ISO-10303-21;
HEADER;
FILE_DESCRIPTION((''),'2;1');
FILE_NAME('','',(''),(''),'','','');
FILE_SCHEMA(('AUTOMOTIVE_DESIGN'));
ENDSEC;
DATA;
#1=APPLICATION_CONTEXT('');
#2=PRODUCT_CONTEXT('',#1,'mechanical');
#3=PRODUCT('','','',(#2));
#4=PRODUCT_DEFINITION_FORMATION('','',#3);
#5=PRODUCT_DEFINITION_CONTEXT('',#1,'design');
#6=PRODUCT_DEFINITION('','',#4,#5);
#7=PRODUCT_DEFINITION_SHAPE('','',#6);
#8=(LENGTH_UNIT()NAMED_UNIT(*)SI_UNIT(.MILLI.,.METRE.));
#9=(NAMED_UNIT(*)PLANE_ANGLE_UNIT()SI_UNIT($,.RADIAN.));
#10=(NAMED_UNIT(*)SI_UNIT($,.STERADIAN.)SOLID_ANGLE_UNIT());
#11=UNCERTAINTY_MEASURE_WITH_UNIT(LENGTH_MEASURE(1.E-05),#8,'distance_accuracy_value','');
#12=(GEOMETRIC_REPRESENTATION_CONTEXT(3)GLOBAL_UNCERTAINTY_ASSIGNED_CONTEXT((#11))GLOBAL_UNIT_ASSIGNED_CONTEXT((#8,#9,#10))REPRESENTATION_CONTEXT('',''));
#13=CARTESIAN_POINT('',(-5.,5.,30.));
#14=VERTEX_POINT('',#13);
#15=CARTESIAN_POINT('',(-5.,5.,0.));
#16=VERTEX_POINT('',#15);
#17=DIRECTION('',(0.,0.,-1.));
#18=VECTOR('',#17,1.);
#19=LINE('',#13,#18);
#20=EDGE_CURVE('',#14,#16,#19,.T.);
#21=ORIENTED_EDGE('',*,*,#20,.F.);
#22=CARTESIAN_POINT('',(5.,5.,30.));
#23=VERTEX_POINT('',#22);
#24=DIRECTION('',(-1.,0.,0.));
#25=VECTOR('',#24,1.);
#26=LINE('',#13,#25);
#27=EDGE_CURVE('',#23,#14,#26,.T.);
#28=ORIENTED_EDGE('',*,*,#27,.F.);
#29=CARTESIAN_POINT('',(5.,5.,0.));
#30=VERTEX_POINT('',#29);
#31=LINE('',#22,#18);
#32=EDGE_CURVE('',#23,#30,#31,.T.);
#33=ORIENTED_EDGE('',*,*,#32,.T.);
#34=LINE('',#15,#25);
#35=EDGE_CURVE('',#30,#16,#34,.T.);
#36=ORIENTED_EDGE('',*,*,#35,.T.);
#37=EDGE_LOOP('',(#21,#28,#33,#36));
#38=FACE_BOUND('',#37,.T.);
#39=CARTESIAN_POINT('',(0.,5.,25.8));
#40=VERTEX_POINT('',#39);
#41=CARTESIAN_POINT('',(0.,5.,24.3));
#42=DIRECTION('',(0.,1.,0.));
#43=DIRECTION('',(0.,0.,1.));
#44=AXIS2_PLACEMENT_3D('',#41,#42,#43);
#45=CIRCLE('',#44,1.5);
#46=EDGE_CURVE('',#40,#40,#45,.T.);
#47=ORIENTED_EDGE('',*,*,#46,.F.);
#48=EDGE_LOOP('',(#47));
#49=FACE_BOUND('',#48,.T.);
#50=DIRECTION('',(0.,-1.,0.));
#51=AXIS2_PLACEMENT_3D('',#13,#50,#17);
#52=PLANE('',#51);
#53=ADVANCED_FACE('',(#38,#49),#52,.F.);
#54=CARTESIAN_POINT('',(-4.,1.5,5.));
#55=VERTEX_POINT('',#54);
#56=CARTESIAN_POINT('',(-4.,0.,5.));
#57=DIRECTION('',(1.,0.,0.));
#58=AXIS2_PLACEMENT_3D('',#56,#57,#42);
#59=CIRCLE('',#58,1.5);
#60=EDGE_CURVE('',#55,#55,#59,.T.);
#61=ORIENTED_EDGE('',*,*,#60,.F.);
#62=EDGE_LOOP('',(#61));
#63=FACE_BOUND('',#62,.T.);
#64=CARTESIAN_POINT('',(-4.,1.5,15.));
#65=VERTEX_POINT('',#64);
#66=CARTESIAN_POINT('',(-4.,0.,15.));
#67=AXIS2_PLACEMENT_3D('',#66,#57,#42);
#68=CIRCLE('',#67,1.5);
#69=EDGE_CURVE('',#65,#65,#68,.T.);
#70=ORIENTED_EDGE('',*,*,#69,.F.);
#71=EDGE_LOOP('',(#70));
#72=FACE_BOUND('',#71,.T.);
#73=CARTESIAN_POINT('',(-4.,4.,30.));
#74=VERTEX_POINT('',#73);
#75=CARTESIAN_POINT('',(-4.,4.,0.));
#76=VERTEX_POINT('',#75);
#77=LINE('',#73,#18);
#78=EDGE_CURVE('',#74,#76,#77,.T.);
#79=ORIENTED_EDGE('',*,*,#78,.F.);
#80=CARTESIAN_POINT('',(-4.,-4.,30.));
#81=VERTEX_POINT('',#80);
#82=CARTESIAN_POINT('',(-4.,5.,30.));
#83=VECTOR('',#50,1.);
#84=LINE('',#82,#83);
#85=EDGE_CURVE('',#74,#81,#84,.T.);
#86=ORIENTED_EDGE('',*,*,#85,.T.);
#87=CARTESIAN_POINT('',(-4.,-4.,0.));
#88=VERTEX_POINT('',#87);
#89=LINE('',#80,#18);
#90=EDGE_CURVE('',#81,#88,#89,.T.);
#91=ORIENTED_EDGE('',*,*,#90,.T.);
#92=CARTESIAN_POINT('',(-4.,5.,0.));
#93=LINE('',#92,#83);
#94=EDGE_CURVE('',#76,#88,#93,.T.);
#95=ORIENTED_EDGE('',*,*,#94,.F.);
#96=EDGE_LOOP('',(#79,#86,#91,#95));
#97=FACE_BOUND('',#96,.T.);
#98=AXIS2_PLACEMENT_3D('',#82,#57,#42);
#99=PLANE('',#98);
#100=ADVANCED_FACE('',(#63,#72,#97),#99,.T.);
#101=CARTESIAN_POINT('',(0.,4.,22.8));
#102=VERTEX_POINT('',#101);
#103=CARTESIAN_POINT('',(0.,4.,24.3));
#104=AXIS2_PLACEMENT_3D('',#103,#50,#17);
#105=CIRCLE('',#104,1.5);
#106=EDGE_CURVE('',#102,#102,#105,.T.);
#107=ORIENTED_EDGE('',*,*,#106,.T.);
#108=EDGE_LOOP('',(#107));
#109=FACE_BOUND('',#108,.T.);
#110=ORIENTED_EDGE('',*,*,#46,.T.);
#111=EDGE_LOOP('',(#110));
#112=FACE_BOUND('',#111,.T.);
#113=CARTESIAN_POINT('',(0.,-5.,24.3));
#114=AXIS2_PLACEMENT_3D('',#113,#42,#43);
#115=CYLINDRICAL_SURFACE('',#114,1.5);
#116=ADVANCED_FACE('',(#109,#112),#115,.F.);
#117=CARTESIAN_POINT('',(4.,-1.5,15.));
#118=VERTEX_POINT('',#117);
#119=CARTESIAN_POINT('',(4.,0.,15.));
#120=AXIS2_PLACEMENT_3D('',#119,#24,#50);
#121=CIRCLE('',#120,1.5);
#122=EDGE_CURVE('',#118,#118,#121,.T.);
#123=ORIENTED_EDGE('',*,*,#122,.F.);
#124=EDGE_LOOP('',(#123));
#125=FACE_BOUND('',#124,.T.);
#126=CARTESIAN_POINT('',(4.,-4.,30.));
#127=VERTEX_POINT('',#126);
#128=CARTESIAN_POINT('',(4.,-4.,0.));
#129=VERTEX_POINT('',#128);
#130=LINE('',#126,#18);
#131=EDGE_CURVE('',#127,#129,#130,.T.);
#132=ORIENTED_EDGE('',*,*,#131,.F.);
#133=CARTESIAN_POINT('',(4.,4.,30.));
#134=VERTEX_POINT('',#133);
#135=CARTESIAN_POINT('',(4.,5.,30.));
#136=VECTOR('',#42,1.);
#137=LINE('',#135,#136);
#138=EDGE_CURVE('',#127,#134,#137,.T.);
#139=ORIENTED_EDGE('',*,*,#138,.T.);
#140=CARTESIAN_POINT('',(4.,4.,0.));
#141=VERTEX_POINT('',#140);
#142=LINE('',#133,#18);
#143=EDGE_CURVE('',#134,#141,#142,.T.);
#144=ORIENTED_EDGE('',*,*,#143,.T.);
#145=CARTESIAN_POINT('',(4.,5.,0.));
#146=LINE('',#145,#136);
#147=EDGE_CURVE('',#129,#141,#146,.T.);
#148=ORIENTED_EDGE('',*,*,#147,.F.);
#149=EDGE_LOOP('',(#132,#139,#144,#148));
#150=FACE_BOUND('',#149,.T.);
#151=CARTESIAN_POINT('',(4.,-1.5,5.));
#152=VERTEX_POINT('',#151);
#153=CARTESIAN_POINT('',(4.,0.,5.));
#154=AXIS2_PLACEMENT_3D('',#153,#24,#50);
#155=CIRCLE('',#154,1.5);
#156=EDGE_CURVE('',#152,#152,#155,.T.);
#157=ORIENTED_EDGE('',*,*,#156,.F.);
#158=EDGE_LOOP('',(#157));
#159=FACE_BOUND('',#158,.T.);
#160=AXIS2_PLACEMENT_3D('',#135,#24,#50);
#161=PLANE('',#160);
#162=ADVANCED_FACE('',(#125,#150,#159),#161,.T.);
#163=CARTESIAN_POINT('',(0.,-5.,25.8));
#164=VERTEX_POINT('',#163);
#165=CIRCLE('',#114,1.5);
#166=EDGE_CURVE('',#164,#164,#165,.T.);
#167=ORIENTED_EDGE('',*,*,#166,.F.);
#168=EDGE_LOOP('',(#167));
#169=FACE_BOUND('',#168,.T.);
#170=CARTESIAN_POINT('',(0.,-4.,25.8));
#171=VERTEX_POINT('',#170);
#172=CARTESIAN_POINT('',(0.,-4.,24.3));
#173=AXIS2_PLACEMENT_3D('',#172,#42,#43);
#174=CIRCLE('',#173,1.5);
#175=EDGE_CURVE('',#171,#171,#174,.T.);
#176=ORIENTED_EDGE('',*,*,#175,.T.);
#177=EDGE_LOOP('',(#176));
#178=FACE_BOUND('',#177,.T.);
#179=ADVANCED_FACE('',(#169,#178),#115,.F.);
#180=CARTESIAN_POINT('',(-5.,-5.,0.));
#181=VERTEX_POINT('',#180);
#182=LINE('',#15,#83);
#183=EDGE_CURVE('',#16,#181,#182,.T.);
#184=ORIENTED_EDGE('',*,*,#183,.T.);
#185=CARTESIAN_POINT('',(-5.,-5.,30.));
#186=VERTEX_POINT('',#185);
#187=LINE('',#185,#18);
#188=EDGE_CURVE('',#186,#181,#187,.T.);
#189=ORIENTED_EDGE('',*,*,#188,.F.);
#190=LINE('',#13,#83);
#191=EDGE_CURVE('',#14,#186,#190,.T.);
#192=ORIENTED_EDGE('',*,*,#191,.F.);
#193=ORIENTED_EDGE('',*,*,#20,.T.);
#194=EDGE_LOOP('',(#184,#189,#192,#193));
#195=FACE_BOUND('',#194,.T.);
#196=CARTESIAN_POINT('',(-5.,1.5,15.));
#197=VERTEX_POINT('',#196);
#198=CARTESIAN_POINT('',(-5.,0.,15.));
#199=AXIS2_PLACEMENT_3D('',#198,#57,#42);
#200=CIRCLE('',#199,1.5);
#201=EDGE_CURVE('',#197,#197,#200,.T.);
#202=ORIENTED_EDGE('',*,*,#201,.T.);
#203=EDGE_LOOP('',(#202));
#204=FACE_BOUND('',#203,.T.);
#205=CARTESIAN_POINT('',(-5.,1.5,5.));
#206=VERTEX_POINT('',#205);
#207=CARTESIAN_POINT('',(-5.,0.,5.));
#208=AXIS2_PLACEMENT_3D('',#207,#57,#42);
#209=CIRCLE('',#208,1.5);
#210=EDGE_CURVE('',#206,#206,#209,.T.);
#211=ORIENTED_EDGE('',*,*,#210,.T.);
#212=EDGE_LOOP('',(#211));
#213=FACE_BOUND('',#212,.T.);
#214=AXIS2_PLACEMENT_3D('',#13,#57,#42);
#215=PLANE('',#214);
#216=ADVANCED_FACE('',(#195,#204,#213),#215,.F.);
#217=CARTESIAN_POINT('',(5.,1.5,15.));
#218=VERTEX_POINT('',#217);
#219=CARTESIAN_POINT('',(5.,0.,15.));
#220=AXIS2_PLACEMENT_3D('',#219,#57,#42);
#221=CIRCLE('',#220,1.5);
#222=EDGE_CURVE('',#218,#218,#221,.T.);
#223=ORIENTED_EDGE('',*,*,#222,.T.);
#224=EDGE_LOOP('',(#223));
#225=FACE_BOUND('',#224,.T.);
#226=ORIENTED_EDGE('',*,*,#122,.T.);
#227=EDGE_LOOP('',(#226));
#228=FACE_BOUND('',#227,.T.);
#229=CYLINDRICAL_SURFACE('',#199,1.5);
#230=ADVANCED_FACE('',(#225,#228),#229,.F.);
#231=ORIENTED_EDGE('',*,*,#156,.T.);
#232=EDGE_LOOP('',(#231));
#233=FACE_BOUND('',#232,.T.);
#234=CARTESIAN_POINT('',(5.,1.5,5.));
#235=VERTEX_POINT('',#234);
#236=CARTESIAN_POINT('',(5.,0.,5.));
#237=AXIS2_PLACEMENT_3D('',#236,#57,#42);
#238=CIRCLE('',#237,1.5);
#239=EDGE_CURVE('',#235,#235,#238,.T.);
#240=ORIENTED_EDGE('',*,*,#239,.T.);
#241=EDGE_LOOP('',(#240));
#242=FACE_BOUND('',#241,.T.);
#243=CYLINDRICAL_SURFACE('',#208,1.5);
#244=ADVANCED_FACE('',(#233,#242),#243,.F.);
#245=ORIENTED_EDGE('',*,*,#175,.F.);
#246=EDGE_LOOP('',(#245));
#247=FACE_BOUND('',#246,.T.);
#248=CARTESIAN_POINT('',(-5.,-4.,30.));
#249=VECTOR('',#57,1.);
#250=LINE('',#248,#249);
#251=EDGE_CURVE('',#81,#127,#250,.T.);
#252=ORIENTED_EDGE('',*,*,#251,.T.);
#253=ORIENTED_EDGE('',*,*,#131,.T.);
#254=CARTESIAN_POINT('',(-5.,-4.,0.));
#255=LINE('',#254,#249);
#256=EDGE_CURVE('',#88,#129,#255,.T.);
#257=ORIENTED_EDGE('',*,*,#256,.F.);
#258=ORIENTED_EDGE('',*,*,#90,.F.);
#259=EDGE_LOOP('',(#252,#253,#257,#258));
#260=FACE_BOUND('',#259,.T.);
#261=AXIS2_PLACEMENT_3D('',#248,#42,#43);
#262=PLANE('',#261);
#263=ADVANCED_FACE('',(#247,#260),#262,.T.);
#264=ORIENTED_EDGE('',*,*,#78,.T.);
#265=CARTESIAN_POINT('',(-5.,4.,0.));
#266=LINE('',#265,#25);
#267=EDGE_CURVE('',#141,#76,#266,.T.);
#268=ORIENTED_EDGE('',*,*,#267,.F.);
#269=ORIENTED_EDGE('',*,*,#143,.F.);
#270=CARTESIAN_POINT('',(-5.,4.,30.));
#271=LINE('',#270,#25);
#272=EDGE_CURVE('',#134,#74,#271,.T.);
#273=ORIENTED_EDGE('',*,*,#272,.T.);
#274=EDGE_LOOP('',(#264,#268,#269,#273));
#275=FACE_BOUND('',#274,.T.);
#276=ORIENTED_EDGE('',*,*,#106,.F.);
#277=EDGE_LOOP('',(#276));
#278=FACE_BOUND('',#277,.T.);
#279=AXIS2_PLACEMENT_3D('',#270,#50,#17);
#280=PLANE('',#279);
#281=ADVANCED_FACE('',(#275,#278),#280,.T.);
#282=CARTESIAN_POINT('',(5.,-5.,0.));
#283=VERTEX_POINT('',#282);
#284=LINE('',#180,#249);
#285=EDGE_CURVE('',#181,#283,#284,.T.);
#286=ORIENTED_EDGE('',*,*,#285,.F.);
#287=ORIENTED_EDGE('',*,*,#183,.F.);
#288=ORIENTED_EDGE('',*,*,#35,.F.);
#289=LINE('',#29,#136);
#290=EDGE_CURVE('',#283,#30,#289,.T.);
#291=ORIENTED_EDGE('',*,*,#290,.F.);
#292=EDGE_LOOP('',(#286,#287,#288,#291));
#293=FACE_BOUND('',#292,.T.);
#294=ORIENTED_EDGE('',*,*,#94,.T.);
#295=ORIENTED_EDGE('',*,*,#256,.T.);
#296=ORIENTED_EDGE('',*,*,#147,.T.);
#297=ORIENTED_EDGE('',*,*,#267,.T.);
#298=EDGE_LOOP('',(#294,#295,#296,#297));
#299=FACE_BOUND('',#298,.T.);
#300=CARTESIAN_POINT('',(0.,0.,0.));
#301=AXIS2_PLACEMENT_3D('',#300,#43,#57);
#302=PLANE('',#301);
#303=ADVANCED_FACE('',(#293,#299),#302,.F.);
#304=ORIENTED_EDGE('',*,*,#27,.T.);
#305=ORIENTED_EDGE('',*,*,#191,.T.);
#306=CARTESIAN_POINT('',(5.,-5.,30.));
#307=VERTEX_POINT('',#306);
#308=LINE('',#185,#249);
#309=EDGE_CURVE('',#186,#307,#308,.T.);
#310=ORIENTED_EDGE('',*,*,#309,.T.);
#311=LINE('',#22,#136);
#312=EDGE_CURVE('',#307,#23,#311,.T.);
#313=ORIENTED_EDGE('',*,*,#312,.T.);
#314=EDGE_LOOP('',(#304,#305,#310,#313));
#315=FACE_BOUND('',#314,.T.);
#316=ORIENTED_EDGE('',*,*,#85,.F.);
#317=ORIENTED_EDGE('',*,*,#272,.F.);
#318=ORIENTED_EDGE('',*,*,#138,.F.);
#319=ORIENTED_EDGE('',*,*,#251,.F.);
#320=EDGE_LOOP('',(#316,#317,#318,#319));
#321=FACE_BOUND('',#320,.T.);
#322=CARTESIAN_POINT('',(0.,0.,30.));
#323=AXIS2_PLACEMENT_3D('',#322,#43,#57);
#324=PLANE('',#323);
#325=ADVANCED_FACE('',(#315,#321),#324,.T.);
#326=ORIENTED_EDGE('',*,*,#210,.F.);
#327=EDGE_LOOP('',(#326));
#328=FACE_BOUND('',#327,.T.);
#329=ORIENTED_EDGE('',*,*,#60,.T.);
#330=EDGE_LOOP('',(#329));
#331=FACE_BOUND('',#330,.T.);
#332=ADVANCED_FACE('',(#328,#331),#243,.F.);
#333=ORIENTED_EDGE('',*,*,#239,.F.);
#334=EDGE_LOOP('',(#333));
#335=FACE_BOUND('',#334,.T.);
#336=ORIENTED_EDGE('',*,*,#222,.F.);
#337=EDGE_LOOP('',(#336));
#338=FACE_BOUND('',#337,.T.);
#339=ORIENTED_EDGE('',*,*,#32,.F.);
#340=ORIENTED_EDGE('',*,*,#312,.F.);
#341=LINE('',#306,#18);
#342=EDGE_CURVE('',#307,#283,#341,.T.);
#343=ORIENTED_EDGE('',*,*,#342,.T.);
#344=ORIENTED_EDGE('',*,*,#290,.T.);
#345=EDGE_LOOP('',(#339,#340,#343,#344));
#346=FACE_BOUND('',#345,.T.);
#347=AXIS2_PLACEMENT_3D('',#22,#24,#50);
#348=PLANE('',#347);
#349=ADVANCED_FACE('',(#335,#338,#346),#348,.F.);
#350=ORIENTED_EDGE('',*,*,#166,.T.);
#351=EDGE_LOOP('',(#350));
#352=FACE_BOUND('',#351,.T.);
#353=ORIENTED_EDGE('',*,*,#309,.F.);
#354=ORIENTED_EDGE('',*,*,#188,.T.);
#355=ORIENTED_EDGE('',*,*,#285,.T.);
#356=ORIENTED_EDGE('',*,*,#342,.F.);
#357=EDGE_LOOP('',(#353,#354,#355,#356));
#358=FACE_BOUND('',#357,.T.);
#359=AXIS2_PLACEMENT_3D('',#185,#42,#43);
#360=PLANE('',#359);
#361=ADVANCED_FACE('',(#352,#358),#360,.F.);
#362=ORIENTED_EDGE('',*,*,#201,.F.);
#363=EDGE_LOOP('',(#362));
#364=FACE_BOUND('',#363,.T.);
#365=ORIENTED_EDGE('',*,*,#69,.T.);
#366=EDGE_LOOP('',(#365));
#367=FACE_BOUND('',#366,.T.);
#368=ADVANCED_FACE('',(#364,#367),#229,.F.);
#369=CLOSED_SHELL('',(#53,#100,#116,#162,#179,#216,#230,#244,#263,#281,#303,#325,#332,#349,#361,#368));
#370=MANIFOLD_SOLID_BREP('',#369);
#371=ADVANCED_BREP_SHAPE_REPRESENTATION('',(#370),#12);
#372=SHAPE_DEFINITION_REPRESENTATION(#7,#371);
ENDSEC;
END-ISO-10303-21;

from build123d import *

# Parameters (mm, degrees)
SKETCH_1_W          = 10
SKETCH_1_H          = 10
SKETCH_1_W_2        = 8
SKETCH_1_H_2        = 8
EXTRUDE_1_DEPTH     = 30
SKETCH_2_R          = 1.5
CUT_EXTRUDE_1_DEPTH = 11
SKETCH_3_R          = 1.5
CUT_EXTRUDE_2_DEPTH = 11


with BuildPart() as part:
    # 草图1 → 拉伸-薄壁1 (new body)
    with BuildSketch(Plane.XY):
        Rectangle(SKETCH_1_W, SKETCH_1_H)
        Rectangle(SKETCH_1_W_2, SKETCH_1_H_2, mode=Mode.SUBTRACT)
    extrude(amount=EXTRUDE_1_DEPTH)

    # 草图2 → 切除-拉伸1 (cut, through all)
    with BuildSketch(Plane(origin=(5, 0, 0), x_dir=(0, 0, -1), z_dir=(1, 0, 0))):
        with Locations((-5, 0)):
            Circle(SKETCH_2_R)
        with Locations((-15, 0)):
            Circle(SKETCH_2_R)
    extrude(amount=-CUT_EXTRUDE_1_DEPTH, mode=Mode.SUBTRACT)

    # 草图3 → 切除-拉伸2 (cut, through all)
    with BuildSketch(Plane(origin=(0, 5, 0), x_dir=(1, 0, 0), z_dir=(0, 1, 0))):
        with Locations((0, -24.3)):
            Circle(SKETCH_3_R)
    extrude(amount=-CUT_EXTRUDE_2_DEPTH, mode=Mode.SUBTRACT)


solid = part.part
